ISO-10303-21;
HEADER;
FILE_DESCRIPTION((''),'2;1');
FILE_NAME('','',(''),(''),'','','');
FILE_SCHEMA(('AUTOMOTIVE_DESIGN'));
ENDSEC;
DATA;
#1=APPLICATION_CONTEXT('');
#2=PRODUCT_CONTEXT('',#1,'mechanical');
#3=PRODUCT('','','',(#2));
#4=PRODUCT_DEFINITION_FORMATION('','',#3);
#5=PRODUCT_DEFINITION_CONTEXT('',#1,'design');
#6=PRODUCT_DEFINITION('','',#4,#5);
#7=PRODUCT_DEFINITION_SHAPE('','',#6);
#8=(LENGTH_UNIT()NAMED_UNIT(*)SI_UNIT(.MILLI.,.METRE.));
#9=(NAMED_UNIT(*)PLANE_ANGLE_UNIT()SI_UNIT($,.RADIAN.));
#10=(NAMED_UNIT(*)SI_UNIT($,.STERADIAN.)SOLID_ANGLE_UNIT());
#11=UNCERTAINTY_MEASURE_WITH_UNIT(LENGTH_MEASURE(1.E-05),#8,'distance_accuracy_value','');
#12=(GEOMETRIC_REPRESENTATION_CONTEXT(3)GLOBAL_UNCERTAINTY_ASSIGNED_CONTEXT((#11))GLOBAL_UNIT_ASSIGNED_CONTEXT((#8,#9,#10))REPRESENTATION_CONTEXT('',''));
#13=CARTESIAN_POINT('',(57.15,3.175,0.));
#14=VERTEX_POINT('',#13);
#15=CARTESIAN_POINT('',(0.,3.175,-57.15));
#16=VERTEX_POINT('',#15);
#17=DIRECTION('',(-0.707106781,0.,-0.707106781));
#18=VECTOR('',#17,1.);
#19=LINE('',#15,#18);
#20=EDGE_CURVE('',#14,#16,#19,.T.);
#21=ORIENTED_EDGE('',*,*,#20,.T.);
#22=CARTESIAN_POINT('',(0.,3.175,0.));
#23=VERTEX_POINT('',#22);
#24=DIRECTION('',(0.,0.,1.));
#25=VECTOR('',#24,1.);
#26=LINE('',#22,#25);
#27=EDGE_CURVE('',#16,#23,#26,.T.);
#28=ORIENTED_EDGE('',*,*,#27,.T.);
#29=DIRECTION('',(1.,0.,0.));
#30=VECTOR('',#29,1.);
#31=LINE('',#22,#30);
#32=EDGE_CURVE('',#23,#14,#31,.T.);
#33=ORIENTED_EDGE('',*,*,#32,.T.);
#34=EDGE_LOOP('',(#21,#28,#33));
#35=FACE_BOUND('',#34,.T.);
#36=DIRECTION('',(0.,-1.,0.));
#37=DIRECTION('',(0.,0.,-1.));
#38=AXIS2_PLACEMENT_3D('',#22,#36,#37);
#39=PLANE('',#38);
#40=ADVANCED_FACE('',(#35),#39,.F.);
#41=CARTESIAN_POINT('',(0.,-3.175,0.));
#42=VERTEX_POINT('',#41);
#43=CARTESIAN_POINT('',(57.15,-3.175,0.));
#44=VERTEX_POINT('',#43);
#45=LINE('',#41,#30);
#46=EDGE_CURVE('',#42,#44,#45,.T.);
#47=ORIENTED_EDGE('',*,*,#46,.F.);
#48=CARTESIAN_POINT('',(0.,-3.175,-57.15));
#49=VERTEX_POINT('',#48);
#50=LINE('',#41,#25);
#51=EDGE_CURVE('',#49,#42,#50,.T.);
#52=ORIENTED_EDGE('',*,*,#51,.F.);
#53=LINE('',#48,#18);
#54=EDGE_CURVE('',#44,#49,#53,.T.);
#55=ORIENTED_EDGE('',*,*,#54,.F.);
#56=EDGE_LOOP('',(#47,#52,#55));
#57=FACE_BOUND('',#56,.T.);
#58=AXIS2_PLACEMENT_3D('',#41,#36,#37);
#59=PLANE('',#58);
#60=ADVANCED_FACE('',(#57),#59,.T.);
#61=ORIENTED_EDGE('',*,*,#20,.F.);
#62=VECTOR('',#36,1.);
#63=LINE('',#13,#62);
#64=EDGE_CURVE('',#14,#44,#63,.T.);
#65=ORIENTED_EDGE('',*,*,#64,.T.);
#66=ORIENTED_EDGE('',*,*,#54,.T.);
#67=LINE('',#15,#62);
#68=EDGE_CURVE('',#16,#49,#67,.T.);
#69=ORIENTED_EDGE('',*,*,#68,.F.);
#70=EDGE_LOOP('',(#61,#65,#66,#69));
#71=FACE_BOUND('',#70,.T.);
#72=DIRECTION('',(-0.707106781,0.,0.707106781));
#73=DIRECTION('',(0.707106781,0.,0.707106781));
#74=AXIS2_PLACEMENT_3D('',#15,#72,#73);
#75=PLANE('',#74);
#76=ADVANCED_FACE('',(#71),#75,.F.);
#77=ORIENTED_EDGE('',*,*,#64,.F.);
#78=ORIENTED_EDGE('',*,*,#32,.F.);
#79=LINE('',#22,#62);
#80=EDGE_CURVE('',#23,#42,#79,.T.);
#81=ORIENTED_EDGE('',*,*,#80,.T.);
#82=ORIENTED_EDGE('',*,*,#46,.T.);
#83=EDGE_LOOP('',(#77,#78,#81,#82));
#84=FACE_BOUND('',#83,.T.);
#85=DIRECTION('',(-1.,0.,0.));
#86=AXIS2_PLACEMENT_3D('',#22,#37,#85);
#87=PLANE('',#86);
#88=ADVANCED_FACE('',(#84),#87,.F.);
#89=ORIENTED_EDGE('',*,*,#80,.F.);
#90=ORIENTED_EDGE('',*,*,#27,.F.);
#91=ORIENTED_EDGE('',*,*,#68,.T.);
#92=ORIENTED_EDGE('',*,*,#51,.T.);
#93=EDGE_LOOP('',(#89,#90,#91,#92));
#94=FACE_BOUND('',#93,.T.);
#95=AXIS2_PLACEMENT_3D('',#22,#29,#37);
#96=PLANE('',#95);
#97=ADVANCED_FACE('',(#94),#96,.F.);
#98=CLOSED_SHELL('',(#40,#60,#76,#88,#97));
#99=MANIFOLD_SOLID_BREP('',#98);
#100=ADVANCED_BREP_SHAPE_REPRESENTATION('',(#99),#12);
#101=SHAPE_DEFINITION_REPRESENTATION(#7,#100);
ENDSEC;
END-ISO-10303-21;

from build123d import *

# Parameters (mm, degrees)
GUSSET_DEPTH = 3.175


with BuildPart() as part:
    # Sketch1 → Gusset (new, symmetric)
    with BuildSketch(Plane(origin=(0, 0, 0), x_dir=(1, 0, 0), z_dir=(0, 1, 0))):
        Polygon((0, 0), (57.15, 0), (0, 57.15), align=None)
    extrude(amount=GUSSET_DEPTH, both=True)


solid = part.part
